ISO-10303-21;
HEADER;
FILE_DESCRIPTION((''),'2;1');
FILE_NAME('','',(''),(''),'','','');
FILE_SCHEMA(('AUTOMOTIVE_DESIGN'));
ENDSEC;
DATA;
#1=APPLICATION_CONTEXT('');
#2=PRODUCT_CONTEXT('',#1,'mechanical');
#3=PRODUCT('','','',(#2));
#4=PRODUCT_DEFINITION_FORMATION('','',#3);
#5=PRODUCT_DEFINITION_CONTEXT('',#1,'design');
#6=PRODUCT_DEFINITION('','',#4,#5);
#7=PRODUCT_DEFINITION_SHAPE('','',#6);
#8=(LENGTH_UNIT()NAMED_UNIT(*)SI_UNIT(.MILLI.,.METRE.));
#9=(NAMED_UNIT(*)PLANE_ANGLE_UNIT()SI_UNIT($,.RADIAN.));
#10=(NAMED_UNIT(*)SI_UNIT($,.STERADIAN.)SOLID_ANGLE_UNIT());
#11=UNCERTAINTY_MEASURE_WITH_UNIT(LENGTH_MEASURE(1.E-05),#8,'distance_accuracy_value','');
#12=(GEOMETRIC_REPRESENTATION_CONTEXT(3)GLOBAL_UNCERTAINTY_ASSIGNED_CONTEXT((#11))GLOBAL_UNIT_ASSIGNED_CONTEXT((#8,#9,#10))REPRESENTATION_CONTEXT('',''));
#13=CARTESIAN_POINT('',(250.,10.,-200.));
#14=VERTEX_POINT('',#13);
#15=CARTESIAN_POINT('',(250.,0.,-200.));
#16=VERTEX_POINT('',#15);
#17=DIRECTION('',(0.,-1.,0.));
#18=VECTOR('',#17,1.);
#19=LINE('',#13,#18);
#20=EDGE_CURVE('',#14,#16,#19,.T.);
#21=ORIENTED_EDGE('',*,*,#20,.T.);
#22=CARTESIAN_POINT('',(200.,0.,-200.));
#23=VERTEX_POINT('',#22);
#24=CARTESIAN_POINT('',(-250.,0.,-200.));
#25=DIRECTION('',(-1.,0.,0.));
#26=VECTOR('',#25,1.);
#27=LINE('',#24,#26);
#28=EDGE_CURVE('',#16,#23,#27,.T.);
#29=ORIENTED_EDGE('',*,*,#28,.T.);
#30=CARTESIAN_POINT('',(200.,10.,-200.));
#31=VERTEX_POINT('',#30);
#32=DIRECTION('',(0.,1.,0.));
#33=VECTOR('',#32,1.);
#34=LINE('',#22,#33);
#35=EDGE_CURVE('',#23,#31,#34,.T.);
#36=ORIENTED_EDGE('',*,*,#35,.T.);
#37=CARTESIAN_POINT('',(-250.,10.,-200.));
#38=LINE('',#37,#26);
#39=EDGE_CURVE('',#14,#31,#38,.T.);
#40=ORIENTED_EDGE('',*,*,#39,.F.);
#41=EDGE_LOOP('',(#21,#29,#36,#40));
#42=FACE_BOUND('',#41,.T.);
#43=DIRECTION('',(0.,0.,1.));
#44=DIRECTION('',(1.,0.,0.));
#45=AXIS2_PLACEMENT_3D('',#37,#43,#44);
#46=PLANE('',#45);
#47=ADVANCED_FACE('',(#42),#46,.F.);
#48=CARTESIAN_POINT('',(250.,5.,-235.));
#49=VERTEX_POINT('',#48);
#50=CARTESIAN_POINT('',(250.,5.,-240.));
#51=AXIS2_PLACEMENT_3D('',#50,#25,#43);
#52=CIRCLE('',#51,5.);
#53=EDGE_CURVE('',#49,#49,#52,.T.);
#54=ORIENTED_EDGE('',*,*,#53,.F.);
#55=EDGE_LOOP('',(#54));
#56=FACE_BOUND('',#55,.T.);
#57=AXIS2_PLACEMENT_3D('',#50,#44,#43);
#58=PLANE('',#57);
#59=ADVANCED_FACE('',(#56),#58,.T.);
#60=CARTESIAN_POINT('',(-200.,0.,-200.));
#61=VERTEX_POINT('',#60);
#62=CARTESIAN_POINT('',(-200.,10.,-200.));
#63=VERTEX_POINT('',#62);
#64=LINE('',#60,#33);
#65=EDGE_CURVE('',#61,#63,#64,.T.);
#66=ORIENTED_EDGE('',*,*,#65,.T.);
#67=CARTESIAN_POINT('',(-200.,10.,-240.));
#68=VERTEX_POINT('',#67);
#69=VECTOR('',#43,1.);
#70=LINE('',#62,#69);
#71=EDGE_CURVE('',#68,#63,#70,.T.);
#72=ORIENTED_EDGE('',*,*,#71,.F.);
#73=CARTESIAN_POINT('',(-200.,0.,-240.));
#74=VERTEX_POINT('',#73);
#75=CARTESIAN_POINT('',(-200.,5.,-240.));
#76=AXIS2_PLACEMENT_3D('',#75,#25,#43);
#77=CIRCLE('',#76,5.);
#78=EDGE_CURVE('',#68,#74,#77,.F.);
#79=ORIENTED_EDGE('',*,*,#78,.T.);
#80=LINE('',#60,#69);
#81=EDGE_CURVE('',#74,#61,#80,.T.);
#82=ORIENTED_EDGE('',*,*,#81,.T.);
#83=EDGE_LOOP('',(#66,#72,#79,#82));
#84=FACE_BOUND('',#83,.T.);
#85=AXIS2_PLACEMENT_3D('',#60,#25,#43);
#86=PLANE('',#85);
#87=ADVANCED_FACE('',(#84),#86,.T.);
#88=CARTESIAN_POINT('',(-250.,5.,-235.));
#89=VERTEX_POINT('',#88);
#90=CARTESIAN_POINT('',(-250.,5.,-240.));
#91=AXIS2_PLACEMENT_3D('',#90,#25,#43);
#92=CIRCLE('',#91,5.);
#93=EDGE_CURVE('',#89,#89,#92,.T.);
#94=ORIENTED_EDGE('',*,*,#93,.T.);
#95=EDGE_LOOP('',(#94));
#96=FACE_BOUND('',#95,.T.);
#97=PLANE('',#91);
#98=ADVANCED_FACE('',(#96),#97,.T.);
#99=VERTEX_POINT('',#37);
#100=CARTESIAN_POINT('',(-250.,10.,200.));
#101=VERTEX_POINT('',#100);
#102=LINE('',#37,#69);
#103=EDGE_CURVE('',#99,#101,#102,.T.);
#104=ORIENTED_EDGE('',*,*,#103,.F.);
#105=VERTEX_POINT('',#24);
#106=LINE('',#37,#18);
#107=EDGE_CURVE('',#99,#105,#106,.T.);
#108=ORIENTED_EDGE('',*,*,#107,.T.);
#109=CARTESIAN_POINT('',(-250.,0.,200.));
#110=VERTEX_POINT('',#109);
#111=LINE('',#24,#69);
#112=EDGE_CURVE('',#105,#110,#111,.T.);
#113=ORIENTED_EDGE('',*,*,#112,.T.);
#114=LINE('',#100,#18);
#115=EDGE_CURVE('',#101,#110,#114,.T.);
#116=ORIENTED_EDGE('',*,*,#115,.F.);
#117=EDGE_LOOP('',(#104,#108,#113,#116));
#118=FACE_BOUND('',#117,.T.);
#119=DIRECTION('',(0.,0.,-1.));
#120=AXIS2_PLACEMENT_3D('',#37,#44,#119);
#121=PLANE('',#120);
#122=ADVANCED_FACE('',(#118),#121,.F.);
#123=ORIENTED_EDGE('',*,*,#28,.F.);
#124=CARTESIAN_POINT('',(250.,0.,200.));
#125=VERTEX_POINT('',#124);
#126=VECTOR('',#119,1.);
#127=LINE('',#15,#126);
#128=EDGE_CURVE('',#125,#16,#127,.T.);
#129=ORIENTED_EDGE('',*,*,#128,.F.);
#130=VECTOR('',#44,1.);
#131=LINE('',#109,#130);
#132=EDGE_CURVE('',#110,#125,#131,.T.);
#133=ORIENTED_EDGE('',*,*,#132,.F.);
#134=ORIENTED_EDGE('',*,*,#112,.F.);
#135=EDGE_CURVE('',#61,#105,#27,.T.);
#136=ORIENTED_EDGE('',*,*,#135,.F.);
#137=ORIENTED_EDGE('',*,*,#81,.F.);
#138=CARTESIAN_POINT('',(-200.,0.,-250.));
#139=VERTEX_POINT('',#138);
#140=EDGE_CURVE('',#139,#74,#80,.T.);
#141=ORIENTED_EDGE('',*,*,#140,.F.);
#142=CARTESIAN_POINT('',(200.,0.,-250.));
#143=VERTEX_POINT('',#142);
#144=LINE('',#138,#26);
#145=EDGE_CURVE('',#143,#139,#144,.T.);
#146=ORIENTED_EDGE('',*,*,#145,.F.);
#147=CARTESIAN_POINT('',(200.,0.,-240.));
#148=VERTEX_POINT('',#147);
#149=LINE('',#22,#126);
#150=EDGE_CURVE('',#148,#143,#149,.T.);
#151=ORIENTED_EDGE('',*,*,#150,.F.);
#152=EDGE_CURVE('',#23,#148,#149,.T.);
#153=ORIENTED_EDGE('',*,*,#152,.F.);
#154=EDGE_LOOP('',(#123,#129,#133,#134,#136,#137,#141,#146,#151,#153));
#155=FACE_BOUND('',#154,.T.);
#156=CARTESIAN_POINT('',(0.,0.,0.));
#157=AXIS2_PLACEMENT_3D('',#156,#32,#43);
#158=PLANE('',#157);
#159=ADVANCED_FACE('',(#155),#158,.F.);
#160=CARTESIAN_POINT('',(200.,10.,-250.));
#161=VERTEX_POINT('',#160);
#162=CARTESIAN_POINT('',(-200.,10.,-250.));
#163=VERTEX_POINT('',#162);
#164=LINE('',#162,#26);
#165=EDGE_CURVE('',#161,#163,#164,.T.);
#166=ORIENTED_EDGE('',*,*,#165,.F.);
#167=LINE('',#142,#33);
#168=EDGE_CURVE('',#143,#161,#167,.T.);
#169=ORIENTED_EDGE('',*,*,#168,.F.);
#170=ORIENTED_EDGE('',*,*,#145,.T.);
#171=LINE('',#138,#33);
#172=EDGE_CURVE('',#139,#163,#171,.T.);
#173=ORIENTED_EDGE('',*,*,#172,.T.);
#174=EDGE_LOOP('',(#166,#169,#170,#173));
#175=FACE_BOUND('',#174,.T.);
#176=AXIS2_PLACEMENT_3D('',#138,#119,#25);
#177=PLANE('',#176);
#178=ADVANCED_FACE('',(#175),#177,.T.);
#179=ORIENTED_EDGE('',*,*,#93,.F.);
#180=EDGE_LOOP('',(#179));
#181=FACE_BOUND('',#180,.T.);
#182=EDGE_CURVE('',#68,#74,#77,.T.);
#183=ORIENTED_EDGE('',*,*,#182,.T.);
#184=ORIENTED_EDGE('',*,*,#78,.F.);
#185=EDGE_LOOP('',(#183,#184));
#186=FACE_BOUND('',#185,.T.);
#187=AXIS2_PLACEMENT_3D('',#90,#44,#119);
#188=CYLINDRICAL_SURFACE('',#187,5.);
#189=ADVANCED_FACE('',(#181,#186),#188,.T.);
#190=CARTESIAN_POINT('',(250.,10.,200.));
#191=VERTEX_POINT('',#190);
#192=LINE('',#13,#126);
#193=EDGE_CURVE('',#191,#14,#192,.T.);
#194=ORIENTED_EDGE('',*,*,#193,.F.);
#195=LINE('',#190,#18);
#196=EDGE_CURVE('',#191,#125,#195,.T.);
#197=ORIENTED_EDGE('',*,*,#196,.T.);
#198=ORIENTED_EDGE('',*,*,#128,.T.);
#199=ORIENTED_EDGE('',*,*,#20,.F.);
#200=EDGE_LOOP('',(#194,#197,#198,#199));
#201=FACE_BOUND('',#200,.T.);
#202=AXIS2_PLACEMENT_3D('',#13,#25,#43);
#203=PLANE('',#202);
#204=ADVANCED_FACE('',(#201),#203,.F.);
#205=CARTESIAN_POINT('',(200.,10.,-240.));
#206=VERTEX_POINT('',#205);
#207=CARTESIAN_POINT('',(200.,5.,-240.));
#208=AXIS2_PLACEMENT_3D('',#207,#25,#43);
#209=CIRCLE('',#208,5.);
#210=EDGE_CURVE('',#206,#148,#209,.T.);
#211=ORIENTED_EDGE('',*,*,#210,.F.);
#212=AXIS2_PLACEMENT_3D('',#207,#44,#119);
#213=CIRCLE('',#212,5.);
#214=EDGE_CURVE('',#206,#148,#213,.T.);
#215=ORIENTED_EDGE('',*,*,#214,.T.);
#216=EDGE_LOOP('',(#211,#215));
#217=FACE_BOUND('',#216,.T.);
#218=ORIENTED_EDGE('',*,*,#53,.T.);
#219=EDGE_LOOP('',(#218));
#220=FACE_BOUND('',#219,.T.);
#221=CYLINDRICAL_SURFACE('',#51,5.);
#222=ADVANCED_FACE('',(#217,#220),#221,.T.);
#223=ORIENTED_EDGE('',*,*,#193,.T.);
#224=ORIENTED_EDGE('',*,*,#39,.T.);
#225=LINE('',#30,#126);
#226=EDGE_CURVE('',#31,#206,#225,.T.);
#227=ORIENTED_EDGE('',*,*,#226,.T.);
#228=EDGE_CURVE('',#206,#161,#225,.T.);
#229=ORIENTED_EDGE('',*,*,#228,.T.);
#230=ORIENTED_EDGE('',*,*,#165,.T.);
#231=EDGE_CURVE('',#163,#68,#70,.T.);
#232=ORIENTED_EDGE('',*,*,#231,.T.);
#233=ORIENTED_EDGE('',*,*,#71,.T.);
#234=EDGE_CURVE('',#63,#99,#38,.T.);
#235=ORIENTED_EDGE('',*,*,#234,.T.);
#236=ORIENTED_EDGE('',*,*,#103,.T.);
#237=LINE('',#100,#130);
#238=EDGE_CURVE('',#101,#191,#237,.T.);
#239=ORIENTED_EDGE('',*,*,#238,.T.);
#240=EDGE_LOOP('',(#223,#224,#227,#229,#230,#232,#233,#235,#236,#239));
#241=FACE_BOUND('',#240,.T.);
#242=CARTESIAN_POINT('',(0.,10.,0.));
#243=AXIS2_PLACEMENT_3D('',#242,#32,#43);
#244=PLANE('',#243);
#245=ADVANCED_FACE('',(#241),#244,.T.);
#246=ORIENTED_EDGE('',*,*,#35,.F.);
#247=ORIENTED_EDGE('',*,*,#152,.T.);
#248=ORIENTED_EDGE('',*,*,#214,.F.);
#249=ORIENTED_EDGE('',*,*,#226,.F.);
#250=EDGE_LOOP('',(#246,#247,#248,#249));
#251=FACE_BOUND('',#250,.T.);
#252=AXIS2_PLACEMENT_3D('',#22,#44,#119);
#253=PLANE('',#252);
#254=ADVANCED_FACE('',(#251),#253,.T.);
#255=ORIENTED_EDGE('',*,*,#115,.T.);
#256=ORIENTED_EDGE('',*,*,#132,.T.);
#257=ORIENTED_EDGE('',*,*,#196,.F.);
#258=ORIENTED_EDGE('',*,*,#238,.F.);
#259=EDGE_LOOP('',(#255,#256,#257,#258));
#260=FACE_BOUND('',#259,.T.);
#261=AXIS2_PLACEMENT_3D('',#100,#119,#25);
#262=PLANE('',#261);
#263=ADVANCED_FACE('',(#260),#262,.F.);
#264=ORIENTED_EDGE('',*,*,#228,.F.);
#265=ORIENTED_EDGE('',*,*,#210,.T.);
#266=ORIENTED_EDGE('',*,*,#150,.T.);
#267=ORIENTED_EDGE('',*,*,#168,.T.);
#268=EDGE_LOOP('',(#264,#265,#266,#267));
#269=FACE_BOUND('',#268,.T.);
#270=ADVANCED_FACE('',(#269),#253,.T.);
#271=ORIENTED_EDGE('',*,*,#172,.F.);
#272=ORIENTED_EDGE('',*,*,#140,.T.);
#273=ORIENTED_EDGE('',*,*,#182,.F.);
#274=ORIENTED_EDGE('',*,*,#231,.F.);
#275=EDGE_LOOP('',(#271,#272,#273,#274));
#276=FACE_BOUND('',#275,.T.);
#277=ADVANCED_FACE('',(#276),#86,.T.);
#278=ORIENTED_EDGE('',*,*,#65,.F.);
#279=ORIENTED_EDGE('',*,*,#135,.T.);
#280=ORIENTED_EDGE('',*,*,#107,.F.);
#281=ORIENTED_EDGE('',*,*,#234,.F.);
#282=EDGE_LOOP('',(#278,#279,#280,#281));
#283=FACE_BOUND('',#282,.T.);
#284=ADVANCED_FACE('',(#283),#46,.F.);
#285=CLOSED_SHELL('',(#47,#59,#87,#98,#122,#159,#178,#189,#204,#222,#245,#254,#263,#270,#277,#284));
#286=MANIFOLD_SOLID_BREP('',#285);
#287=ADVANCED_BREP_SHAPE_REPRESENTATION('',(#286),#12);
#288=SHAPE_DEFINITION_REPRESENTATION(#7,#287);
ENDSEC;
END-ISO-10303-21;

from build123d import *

# Parameters (mm, degrees)
SKETCH1_W           = 500
SKETCH1_H           = 400
BOSS_EXTRUDE1_DEPTH = 10
SKETCH2_W           = 400
SKETCH2_H           = 50
BOSS_EXTRUDE2_DEPTH = 10
SKETCH3_R           = 5
BOSS_EXTRUDE5_DEPTH = 50


with BuildPart() as part:
    # Sketch1 → Boss-Extrude1 (new body)
    with BuildSketch(Plane(origin=(0, 0, 0), x_dir=(1, 0, 0), z_dir=(0, 1, 0))):
        Rectangle(SKETCH1_W, SKETCH1_H)
    extrude(amount=BOSS_EXTRUDE1_DEPTH)

    # Sketch2 → Boss-Extrude2 (add)
    with BuildSketch(Plane(origin=(0, 10, 0), x_dir=(1, 0, 0), z_dir=(0, 1, 0))):
        with Locations((0, 225)):
            Rectangle(SKETCH2_W, SKETCH2_H)
    extrude(amount=-BOSS_EXTRUDE2_DEPTH)

    # Sketch3 → Boss-Extrude5 (add)
    with BuildSketch(Plane.ZY.offset(200)):
        with Locations(Location((-240, 5, 0), (0, 0, 270))):
            Circle(SKETCH3_R)
    boss_extrude5 = extrude(amount=BOSS_EXTRUDE5_DEPTH)

    # Mirror1: Boss-Extrude5 across plane
    add(boss_extrude5.mirror(Plane(origin=(0, 0, 0), x_dir=(0, 0, 1), z_dir=(1, 0, 0))))


solid = part.part
